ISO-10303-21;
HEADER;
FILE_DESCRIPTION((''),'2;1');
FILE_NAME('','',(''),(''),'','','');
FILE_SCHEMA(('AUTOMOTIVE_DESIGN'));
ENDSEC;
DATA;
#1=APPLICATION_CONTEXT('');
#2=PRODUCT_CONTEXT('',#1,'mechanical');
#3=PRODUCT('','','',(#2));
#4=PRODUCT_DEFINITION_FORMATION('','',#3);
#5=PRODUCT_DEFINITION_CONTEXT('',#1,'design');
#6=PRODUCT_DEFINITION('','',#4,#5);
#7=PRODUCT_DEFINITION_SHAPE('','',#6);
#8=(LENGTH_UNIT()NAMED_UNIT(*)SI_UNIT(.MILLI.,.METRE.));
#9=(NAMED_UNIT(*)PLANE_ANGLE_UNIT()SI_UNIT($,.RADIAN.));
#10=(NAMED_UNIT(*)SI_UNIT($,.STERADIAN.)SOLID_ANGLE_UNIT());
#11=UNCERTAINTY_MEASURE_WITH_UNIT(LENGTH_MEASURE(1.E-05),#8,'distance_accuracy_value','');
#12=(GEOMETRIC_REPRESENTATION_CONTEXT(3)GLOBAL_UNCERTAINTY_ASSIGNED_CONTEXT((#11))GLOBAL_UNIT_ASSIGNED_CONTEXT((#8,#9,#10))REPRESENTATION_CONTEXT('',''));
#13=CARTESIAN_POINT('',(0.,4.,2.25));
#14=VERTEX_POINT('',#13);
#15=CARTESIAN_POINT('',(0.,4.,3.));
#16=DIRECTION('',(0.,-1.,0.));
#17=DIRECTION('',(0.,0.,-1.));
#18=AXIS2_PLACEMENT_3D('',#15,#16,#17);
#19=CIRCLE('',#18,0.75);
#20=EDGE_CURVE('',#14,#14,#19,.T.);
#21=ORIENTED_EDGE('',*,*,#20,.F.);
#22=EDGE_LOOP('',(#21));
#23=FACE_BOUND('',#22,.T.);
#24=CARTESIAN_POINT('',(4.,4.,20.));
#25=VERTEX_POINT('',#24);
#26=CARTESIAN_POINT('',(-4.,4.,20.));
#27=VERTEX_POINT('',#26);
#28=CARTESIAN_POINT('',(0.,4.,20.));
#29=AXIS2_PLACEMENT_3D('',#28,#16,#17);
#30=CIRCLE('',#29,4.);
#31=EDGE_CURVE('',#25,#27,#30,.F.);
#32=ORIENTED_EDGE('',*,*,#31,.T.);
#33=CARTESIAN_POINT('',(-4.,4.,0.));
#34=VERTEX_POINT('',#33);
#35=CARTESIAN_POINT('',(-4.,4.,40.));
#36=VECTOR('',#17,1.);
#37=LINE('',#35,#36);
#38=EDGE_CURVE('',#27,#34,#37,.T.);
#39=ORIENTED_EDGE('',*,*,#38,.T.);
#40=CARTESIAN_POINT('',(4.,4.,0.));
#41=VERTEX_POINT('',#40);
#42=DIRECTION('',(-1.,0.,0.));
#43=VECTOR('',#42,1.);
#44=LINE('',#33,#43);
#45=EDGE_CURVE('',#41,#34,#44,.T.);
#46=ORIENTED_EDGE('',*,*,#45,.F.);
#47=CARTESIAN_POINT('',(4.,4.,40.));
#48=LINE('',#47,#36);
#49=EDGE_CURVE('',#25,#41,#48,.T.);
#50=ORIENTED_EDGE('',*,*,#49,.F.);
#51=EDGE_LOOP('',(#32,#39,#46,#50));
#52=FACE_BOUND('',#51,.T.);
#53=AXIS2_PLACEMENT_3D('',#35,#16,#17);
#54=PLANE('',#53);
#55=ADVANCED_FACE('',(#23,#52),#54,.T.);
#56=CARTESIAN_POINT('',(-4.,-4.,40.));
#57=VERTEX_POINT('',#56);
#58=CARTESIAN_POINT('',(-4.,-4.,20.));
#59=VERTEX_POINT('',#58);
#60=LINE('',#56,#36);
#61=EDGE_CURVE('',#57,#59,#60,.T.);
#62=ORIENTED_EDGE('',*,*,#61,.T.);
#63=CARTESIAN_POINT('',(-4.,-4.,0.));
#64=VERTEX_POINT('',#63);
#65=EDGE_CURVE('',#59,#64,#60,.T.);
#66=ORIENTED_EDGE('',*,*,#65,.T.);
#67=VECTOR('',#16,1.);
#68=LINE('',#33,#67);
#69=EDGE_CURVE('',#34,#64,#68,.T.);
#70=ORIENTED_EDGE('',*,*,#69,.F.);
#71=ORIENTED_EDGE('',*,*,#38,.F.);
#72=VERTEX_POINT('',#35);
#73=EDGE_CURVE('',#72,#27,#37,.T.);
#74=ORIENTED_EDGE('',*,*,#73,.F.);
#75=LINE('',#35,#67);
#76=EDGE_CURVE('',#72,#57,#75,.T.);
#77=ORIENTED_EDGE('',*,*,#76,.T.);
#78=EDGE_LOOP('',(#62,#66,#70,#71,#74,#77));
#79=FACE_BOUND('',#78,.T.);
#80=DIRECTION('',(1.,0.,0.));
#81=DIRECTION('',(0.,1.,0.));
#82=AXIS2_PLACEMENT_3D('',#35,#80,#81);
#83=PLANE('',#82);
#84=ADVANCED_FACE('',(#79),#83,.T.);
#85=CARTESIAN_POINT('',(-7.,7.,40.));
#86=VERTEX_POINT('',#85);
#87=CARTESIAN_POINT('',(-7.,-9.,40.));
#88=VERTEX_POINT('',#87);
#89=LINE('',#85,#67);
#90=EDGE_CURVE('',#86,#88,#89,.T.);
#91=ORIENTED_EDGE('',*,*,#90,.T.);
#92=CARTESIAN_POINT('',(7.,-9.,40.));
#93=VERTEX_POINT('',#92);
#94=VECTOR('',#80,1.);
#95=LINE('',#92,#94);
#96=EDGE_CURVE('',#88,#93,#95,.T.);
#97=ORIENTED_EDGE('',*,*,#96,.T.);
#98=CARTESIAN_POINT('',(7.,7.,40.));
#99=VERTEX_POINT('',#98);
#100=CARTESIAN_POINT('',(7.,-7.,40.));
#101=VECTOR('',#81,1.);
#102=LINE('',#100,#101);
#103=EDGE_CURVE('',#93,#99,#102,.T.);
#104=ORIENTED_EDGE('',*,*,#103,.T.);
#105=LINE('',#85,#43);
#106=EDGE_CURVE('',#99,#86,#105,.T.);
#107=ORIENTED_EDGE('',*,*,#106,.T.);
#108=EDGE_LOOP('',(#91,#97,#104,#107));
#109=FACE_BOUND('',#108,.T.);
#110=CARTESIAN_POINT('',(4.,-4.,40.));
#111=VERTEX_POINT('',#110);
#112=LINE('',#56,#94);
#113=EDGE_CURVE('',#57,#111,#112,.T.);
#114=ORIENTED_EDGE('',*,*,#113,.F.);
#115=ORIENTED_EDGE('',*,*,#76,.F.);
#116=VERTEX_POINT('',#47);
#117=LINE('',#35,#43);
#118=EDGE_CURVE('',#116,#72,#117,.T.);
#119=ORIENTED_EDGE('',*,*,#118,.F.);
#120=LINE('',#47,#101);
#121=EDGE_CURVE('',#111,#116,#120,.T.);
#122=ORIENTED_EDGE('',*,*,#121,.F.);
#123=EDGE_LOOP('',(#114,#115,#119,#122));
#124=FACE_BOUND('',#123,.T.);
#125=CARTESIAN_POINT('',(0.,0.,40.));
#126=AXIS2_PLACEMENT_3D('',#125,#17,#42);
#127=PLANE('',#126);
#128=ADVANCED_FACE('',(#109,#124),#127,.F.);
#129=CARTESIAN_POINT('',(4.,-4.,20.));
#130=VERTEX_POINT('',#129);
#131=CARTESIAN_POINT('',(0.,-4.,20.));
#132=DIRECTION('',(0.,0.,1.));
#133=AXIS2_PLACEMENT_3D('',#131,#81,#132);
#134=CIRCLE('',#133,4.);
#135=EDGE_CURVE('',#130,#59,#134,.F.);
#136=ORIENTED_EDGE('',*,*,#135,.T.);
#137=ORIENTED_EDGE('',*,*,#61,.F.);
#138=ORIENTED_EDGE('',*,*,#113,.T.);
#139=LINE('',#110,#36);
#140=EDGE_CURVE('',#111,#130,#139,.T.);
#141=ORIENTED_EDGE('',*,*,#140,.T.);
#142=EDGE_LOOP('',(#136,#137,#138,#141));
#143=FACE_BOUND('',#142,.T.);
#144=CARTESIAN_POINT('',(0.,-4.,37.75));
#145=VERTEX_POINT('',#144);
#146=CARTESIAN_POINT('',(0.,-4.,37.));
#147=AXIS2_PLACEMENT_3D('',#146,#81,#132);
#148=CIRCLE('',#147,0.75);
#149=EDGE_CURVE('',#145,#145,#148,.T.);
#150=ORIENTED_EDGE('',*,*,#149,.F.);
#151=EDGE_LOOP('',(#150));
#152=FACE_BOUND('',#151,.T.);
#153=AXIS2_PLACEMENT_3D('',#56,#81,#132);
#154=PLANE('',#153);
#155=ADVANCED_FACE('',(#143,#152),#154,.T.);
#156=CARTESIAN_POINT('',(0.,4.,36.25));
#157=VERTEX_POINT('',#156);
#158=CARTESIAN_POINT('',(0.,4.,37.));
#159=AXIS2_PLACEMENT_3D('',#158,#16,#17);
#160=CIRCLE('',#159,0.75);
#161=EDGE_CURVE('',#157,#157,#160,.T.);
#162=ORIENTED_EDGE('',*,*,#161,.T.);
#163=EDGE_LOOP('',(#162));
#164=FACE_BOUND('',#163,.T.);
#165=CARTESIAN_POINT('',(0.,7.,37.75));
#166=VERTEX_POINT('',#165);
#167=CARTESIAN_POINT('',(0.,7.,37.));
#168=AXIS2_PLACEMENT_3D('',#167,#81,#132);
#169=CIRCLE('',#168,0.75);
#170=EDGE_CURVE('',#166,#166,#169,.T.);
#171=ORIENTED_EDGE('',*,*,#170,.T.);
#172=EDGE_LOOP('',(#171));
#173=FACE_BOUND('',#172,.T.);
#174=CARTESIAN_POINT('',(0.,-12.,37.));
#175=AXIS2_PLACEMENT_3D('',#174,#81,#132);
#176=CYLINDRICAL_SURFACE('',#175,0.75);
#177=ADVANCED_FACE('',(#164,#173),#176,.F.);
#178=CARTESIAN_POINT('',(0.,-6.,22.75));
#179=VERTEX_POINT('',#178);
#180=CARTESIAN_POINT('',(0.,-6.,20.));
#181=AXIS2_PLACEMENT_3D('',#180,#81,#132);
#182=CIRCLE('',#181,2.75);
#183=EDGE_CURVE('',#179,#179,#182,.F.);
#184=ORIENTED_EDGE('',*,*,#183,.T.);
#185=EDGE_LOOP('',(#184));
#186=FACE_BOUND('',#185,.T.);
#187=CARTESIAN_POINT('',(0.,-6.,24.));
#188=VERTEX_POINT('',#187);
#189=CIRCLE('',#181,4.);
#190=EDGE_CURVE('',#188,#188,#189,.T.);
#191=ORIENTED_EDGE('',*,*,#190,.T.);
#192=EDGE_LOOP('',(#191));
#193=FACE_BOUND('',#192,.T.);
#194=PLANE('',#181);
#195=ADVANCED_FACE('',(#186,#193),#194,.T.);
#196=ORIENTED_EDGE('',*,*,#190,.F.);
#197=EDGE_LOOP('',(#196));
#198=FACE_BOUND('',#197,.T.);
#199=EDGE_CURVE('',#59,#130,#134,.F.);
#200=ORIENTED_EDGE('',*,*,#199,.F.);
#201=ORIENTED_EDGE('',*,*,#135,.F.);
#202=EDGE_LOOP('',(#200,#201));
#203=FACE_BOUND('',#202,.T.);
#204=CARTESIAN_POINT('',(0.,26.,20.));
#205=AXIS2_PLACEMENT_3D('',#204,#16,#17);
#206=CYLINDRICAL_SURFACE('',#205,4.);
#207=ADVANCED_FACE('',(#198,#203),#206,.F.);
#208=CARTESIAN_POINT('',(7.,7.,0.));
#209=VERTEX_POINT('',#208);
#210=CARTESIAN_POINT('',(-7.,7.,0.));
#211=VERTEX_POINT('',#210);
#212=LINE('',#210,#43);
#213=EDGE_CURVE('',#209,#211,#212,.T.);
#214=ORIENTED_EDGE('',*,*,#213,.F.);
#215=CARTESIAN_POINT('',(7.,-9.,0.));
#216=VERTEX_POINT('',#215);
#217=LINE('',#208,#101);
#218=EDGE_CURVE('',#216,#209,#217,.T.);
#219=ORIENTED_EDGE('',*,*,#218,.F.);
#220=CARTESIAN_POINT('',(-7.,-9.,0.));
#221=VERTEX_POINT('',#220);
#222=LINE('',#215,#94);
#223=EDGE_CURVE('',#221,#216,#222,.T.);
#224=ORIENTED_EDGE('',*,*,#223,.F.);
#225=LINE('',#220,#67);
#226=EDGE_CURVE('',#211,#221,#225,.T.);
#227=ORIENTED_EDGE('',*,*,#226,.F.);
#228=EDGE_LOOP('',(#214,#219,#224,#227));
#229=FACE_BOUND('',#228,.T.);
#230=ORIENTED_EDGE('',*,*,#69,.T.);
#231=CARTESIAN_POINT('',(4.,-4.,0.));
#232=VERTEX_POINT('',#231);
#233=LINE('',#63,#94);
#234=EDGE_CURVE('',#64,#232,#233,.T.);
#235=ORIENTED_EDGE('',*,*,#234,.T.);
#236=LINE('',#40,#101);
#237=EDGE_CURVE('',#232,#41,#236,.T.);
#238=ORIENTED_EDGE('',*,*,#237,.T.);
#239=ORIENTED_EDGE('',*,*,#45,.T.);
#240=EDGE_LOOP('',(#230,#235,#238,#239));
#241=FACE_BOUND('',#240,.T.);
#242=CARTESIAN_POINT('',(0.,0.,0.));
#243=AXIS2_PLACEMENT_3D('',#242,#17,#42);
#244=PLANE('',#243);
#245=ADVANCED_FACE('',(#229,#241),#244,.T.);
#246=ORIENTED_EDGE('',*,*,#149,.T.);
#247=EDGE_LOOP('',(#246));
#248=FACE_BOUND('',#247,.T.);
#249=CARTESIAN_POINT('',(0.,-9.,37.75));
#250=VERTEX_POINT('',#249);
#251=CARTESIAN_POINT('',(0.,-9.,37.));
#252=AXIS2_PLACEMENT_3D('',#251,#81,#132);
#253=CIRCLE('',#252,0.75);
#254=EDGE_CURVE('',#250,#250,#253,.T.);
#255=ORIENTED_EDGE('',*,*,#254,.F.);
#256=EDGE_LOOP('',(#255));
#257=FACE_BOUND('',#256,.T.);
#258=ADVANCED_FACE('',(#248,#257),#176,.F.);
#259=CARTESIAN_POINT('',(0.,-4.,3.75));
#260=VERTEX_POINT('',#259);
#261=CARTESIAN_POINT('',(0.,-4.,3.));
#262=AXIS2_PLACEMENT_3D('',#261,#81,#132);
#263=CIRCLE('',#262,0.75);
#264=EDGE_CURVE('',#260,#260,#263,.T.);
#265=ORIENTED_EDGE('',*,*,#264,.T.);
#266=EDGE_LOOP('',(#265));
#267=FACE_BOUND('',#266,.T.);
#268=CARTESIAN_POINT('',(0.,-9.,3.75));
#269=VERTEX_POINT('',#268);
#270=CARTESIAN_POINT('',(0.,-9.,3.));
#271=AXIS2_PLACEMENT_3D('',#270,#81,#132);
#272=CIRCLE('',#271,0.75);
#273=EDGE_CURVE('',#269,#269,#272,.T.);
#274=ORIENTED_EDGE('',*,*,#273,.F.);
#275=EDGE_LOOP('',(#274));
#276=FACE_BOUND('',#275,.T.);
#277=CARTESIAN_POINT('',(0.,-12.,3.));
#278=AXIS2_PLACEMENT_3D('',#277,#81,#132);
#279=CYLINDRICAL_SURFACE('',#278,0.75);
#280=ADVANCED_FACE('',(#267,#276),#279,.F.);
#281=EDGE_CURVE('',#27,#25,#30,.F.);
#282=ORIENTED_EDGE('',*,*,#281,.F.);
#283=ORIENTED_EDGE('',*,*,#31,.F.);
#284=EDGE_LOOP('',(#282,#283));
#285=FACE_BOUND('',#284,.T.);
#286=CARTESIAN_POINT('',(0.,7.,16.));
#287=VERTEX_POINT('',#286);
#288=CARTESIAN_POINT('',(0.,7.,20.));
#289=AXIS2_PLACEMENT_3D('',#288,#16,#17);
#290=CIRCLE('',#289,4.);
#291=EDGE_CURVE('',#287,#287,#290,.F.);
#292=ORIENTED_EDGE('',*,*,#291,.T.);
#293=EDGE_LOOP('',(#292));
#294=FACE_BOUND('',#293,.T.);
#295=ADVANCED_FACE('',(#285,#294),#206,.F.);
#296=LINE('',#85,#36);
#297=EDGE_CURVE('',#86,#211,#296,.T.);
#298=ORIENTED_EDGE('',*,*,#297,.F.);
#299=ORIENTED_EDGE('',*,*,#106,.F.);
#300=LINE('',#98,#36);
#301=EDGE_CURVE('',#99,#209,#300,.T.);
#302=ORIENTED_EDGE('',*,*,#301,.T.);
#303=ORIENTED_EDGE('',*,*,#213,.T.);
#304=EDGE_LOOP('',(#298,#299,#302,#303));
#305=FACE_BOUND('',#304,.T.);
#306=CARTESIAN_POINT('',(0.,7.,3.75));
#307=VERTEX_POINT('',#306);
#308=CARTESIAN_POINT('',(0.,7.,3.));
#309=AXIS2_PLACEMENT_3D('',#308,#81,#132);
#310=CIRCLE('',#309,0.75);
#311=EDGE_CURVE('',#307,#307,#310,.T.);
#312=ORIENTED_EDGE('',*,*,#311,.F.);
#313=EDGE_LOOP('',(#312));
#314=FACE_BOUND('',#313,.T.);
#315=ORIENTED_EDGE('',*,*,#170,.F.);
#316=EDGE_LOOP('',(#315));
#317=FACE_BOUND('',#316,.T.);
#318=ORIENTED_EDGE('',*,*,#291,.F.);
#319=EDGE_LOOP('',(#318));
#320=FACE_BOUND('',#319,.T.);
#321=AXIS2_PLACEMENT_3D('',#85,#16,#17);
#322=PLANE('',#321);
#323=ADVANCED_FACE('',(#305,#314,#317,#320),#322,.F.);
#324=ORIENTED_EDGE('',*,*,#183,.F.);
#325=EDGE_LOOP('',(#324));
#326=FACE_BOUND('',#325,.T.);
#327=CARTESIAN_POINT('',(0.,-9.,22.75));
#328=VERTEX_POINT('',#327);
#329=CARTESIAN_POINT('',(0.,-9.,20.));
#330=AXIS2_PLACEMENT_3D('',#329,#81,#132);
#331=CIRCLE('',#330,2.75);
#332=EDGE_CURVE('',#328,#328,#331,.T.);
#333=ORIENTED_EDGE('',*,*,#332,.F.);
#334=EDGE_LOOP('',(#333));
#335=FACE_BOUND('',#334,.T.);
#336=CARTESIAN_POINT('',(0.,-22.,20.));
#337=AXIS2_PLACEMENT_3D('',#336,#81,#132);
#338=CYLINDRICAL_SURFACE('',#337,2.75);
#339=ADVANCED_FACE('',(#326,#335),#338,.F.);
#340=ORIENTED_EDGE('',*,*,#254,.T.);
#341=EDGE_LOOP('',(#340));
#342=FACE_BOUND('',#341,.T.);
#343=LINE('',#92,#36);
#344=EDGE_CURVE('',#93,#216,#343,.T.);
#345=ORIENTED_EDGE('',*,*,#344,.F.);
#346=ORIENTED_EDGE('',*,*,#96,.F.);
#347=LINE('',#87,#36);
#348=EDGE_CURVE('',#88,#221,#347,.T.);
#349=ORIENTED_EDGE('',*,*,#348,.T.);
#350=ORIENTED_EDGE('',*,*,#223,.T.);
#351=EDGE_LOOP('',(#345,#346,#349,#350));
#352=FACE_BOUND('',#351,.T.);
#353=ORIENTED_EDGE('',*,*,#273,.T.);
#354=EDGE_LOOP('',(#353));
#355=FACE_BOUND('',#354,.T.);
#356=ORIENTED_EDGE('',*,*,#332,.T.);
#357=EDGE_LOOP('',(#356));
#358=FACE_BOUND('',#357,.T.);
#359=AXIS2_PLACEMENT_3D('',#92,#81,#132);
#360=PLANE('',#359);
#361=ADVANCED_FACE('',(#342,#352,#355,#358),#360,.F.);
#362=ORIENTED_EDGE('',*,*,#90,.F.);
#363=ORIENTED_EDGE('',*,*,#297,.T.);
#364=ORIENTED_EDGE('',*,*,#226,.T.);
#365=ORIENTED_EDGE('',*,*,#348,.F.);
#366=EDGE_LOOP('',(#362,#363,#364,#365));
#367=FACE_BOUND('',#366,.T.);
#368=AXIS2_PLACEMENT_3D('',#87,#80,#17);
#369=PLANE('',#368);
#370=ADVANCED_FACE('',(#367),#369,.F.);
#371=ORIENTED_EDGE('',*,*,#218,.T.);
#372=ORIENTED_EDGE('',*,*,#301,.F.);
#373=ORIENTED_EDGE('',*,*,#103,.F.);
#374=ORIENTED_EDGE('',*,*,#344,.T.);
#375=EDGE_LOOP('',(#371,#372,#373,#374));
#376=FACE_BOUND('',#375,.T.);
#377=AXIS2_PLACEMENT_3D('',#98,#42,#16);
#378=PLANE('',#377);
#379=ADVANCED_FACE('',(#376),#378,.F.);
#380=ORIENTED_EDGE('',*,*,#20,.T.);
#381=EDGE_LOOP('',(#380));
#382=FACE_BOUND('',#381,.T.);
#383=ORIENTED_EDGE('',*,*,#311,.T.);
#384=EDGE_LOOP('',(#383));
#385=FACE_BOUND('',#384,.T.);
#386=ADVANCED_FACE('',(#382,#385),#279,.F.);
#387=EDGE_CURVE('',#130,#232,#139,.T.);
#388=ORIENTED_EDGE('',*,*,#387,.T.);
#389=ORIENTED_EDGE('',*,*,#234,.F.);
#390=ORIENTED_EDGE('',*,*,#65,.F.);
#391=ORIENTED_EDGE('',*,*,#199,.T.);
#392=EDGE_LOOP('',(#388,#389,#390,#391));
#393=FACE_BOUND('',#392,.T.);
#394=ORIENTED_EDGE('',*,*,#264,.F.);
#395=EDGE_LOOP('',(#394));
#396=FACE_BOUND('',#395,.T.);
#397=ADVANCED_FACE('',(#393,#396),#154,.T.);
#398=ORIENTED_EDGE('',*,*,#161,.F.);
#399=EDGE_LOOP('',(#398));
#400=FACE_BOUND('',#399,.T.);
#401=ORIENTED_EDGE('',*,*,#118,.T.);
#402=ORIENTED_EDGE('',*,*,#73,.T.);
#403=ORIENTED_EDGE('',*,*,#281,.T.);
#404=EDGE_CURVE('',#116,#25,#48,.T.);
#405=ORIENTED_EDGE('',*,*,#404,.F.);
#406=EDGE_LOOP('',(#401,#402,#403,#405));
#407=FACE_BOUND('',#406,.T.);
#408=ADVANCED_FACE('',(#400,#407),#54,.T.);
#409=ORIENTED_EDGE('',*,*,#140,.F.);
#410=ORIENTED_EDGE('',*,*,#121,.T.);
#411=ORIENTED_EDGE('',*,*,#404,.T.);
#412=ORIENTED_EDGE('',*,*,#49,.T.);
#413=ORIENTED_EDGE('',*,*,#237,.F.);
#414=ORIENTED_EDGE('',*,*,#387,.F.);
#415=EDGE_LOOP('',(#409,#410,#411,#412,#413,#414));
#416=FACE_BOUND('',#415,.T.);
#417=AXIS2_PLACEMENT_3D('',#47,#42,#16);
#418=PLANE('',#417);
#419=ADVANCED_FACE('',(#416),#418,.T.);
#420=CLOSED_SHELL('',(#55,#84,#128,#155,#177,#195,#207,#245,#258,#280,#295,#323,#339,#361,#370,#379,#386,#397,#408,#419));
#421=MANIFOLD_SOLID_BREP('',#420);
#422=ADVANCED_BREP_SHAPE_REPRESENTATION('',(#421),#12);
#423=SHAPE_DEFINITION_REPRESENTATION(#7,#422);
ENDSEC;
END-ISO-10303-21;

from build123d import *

# Parameters (mm, degrees)
SKETCH1_W               = 8
SKETCH1_H               = 8
BOSS_EXTRUDE1_DEPTH     = 40
SKETCH2_R               = 2.75
CUT_EXTRUDE1_DEPTH      = 18
SKETCH4_R               = 0.75
CUT_EXTRUDE2_DEPTH      = 19
CUT_EXTRUDE3_DEPTH      = 30
CUT_EXTRUDE3_DEPTH_BACK = 2
SKETCH2_5_R             = 4


with BuildPart() as part:
    # Sketch1 → Boss-Extrude1 (new body)
    with BuildSketch(Plane.XY):
        Polygon((-7, 7), (-7, -7), (-7, -9), (7, -9), (7, -7), (7, 7), align=None)
        Rectangle(SKETCH1_W, SKETCH1_H, mode=Mode.SUBTRACT)
    extrude(amount=BOSS_EXTRUDE1_DEPTH)

    # Sketch2 → Cut-Extrude1 (cut)
    with BuildSketch(Plane(origin=(0, -4, 0), x_dir=(1, 0, 0), z_dir=(0, 1, 0))):
        with Locations((0, -20)):
            Circle(SKETCH2_R)
    extrude(amount=-CUT_EXTRUDE1_DEPTH, mode=Mode.SUBTRACT)

    # Sketch4 → Cut-Extrude2 (cut)
    with BuildSketch(Plane(origin=(0, 7, 0), x_dir=(1, 0, 0), z_dir=(0, 1, 0))):
        with Locations((0, -3)):
            Circle(SKETCH4_R)
        with Locations((0, -37)):
            Circle(SKETCH4_R)
    extrude(amount=-CUT_EXTRUDE2_DEPTH, mode=Mode.SUBTRACT)

    # Sketch2<5> → Cut-Extrude3 (cut, two sides: drawn at the far end of the back side and taken through both)
    with BuildSketch(Plane(origin=(0, -4, 0), x_dir=(1, 0, 0), z_dir=(0, 1, 0)).offset(-CUT_EXTRUDE3_DEPTH_BACK)):
        with Locations((0, -20)):
            Circle(SKETCH2_5_R)
    extrude(amount=CUT_EXTRUDE3_DEPTH + CUT_EXTRUDE3_DEPTH_BACK, mode=Mode.SUBTRACT)


solid = part.part
